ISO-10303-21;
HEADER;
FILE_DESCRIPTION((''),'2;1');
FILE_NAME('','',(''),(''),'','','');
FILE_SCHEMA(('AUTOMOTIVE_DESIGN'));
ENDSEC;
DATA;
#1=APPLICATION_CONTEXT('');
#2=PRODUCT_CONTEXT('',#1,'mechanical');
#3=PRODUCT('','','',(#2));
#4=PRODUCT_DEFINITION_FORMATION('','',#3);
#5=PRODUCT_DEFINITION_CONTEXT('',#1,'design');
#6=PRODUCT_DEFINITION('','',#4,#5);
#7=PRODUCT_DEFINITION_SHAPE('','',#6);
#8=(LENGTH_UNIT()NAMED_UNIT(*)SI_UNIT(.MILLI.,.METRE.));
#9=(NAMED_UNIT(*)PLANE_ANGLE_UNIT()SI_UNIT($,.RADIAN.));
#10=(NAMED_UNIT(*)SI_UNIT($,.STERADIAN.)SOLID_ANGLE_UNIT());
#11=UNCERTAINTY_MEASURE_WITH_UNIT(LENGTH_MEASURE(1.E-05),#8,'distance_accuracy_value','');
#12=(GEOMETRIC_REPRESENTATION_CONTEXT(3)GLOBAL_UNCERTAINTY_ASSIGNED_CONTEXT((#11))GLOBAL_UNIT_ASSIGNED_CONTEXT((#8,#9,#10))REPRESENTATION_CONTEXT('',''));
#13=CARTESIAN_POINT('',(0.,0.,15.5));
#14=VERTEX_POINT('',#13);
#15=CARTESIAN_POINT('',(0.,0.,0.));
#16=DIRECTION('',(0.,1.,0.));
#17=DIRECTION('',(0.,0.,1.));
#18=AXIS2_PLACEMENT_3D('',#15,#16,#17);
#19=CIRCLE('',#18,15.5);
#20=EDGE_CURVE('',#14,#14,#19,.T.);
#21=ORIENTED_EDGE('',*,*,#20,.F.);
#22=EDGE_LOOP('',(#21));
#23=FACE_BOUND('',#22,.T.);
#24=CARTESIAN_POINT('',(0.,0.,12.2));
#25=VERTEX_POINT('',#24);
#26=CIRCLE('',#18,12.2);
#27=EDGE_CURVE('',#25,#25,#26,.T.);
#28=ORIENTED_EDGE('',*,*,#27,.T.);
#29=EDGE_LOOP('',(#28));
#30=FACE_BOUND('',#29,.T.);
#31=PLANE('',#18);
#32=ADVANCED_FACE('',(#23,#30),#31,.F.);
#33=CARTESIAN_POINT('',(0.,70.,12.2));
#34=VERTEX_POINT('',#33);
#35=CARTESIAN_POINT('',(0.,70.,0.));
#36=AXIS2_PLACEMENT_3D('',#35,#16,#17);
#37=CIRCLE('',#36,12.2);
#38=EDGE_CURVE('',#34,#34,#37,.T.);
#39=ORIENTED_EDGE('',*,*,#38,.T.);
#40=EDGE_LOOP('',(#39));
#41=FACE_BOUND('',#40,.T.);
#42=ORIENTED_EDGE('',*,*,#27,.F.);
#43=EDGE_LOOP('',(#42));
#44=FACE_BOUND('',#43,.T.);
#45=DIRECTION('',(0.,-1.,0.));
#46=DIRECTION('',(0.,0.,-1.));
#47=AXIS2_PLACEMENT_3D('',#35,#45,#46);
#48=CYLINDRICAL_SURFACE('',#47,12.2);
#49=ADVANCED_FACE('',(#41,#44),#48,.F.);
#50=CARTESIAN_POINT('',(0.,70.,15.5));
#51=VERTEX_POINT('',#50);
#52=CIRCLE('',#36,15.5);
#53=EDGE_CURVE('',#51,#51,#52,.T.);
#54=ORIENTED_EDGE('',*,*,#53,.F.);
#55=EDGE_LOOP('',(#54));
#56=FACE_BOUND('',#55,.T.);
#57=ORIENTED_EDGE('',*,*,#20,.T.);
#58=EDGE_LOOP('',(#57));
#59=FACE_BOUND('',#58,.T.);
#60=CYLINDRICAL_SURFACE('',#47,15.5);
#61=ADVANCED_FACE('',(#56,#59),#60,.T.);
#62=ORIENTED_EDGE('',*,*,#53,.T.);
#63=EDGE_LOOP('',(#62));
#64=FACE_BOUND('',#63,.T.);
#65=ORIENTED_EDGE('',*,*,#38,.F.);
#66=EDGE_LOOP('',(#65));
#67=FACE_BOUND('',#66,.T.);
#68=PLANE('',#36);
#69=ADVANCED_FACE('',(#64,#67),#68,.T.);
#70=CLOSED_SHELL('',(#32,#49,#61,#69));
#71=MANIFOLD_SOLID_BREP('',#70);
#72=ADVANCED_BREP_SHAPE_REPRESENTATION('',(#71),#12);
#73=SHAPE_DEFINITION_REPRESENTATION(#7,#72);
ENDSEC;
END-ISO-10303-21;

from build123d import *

# Parameters (mm, degrees)
SKETCH_1_R      = 15.5
SKETCH_1_R_2    = 12.2
EXTRUDE_1_DEPTH = 70


with BuildPart() as part:
    # Эскиз1 → Бобышка-Вытянуть1 (new body)
    with BuildSketch(Plane(origin=(0, 0, 0), x_dir=(1, 0, 0), z_dir=(0, 1, 0))):
        Circle(SKETCH_1_R)
        Circle(SKETCH_1_R_2, mode=Mode.SUBTRACT)
    extrude(amount=EXTRUDE_1_DEPTH)


solid = part.part
